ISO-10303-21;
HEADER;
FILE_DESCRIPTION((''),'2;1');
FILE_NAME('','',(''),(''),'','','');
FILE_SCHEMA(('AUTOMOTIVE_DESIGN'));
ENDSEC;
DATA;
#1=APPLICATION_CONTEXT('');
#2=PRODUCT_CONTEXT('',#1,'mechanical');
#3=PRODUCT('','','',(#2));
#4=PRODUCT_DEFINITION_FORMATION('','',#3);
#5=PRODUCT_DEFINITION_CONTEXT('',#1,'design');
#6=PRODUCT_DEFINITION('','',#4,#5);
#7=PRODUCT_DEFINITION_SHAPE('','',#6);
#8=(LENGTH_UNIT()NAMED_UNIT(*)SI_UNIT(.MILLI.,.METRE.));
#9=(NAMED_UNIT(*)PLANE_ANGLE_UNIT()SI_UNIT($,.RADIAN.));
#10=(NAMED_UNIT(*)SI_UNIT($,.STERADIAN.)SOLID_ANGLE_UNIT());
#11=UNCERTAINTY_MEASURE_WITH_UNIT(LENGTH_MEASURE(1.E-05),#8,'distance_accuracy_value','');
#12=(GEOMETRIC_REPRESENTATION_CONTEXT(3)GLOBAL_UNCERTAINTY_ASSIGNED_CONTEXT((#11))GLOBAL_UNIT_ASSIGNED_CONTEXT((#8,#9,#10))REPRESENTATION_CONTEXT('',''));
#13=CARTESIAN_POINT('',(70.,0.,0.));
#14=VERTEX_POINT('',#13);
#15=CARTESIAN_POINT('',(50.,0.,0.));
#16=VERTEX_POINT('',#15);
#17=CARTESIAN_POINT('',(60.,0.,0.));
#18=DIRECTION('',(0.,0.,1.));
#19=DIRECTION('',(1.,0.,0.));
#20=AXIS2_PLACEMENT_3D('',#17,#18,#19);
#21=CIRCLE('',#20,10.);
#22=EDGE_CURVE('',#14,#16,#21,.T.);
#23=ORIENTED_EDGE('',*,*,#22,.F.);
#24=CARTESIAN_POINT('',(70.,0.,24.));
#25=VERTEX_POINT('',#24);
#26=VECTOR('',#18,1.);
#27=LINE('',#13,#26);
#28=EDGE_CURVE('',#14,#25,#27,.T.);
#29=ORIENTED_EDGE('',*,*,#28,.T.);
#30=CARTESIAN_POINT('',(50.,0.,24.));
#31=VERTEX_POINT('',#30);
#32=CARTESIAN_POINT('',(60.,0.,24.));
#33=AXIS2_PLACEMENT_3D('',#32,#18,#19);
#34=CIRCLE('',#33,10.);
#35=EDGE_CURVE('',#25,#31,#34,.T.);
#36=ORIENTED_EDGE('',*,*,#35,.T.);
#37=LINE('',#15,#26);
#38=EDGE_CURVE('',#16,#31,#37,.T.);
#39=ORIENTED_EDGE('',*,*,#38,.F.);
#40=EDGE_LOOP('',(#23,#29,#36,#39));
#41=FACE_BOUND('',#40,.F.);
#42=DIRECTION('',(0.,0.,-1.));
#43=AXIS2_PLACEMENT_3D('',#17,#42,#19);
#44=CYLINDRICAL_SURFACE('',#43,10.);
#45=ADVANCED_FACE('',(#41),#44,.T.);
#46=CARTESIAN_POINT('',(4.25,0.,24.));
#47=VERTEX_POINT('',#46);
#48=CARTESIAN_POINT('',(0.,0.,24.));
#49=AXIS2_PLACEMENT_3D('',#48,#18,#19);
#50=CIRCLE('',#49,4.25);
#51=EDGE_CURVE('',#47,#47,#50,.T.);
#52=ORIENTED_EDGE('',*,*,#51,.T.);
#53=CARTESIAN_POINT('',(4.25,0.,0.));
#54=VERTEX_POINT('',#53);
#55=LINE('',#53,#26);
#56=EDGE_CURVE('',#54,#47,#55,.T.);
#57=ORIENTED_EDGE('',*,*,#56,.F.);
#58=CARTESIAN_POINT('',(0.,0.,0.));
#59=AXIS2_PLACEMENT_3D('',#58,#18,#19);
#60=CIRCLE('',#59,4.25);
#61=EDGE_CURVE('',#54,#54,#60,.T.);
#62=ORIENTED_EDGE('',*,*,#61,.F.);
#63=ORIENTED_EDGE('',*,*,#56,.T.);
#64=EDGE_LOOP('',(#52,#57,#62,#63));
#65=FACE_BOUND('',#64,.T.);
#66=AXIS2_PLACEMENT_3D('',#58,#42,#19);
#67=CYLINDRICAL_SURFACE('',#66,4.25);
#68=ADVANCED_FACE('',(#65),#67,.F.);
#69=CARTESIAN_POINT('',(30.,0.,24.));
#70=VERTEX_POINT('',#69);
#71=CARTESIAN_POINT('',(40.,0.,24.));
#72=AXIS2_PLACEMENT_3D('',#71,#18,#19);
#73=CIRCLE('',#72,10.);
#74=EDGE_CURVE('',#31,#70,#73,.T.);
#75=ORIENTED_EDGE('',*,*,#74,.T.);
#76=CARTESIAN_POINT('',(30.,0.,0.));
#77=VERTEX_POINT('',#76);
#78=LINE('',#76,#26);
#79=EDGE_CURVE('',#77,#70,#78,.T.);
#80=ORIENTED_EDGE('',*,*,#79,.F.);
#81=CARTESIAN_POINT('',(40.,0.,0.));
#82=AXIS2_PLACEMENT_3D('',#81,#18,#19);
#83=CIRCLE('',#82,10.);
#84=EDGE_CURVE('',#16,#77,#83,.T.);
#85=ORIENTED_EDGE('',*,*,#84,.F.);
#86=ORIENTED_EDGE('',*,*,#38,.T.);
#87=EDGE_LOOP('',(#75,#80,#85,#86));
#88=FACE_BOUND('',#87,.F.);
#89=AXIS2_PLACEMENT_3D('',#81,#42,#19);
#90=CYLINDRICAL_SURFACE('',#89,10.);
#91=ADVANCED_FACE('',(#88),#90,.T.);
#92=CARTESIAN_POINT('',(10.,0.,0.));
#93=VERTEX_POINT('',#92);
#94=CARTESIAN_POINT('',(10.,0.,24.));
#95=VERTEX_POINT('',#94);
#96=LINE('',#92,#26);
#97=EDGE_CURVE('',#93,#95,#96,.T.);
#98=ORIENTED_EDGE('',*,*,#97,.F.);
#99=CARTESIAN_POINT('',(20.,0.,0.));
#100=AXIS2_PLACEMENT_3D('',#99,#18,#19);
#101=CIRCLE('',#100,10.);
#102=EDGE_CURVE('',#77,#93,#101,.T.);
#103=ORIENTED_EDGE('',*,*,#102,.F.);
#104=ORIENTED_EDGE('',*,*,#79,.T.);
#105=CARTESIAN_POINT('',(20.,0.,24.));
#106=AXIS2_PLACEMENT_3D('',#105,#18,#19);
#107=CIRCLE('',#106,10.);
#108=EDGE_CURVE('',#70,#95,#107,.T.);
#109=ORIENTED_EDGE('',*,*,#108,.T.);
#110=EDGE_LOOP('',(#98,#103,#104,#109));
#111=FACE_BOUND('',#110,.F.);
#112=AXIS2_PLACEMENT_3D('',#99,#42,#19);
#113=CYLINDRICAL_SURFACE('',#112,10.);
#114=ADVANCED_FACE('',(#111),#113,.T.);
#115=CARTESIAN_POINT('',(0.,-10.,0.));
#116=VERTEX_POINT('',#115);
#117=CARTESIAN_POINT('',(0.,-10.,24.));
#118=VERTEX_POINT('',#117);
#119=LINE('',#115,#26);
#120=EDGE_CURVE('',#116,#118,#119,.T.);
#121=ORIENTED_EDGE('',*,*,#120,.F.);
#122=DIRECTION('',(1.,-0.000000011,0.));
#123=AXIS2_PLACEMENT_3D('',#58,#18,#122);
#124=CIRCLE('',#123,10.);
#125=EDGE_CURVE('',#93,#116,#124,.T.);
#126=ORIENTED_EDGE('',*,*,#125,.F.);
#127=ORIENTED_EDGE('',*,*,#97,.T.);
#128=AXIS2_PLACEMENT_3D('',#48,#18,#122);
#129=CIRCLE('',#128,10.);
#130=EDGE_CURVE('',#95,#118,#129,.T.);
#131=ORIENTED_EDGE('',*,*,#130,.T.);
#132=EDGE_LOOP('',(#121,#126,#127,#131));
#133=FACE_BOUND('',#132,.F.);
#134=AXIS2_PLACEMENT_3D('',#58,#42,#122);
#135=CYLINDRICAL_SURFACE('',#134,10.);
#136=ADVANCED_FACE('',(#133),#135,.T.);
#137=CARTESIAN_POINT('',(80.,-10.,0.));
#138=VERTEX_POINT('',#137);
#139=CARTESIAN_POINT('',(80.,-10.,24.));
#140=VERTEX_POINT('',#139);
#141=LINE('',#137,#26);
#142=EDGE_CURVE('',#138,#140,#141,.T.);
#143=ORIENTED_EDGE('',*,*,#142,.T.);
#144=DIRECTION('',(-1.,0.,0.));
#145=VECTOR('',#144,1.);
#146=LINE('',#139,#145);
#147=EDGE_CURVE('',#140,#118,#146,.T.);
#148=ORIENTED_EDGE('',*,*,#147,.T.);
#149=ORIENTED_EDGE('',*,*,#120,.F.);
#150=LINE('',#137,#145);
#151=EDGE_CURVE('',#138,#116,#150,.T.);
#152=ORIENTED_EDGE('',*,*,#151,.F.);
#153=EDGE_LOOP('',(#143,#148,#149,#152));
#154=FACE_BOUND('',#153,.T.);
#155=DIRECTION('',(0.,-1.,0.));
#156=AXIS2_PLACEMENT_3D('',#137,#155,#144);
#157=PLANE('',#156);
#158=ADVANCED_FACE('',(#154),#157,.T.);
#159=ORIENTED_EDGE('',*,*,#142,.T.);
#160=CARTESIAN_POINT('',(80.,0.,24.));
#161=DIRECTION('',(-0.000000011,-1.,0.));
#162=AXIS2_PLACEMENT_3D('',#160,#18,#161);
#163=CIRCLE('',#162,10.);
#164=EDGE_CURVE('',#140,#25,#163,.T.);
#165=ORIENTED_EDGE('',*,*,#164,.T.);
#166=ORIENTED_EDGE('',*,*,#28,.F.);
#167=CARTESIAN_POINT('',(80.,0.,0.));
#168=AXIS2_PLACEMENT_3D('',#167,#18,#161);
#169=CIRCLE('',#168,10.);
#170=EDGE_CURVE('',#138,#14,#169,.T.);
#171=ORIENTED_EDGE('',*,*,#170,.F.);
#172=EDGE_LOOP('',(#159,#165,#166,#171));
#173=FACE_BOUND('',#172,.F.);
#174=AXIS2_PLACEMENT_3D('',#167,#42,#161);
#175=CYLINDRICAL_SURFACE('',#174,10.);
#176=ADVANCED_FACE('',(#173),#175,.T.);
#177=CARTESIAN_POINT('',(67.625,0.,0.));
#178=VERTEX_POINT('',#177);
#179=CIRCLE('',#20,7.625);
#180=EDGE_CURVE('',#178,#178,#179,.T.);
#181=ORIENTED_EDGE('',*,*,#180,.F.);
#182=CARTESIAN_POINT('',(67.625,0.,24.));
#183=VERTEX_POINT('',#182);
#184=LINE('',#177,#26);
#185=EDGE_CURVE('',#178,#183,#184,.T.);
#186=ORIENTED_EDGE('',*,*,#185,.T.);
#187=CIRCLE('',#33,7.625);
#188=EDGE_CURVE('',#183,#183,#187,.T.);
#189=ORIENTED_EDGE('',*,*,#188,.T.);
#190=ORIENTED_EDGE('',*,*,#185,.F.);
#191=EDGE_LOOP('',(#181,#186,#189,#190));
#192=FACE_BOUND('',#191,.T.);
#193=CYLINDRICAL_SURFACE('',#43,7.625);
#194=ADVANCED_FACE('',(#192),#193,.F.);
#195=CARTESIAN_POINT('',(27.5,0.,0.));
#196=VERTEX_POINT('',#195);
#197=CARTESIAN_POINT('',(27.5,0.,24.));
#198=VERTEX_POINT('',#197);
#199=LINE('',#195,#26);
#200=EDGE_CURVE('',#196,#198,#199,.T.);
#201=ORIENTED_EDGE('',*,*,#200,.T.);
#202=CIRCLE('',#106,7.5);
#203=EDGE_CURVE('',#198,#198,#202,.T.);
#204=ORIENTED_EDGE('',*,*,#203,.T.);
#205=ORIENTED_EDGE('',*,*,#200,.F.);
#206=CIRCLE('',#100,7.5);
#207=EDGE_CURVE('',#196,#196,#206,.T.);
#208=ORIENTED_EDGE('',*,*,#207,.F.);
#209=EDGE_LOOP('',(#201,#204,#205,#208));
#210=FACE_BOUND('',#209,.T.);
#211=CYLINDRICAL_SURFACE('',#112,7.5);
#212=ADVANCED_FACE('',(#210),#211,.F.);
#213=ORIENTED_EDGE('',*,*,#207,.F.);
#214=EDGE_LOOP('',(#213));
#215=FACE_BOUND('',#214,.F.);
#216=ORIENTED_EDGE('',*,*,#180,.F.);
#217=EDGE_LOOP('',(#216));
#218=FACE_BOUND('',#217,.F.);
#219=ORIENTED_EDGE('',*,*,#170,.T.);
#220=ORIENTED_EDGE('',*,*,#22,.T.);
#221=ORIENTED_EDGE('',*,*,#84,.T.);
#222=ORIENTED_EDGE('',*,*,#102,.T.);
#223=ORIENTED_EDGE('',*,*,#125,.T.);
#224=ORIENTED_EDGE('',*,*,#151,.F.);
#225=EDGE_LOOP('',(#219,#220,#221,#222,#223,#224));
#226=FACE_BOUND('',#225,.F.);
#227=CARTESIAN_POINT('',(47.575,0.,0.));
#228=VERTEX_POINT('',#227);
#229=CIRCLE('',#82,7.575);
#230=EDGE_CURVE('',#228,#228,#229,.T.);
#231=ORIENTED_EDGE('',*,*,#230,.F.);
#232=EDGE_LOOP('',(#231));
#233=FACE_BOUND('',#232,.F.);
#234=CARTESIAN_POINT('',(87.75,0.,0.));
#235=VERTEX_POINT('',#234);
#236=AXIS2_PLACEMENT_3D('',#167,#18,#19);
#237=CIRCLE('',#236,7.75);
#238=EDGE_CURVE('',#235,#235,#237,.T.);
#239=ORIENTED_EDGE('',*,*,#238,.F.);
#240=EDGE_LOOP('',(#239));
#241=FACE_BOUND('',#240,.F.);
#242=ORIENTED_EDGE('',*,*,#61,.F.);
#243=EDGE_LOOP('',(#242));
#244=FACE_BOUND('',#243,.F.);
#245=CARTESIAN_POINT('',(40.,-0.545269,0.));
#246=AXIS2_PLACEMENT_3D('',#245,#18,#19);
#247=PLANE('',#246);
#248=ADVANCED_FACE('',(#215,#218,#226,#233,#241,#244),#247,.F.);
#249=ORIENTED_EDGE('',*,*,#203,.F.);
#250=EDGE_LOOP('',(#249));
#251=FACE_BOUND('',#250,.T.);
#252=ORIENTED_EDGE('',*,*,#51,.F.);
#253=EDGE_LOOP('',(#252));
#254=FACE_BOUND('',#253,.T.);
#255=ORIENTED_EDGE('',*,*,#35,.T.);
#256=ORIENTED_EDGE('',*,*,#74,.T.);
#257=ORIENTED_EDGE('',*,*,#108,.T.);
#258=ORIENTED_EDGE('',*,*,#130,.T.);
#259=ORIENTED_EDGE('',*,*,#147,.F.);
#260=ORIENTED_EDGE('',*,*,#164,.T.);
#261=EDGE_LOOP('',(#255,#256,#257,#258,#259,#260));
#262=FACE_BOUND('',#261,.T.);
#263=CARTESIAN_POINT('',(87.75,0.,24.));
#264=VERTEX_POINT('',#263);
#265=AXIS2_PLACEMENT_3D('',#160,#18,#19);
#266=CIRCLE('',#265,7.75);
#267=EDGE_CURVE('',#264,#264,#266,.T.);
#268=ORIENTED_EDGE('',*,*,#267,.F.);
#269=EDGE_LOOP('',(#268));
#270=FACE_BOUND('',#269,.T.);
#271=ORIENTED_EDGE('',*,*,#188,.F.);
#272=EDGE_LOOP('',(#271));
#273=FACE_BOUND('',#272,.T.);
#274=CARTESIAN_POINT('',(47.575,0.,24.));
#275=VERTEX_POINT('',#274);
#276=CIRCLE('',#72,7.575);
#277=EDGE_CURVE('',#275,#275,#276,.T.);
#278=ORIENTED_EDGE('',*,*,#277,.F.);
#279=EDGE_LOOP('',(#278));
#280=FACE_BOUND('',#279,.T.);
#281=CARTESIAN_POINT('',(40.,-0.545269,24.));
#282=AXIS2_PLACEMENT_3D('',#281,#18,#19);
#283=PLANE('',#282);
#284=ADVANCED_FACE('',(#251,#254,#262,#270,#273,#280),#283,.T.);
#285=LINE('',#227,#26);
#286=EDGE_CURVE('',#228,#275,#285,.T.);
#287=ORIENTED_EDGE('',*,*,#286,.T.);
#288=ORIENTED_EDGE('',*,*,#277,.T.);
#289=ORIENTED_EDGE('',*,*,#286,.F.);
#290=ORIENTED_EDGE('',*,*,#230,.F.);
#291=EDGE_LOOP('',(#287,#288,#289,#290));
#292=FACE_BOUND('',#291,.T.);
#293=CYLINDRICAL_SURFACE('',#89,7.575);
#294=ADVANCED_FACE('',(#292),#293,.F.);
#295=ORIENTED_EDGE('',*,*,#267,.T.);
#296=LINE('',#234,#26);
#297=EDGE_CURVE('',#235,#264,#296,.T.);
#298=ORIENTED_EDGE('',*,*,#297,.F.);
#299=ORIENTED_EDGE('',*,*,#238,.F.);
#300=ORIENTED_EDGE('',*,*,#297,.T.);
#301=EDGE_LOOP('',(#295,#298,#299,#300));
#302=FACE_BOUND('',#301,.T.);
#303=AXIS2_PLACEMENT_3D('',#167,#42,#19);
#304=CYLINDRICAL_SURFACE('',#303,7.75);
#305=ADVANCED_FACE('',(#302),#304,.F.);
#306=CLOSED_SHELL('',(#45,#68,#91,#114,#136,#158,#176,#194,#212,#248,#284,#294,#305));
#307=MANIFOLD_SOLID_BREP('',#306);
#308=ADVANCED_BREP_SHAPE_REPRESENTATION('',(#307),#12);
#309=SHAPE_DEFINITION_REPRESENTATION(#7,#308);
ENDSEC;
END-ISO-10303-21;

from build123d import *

# Parameters (mm, degrees)
SKETCH_R   = 4.25
SKETCH_R_2 = 7.5
SKETCH_R_3 = 7.575
SKETCH_R_4 = 7.625
SKETCH_R_5 = 7.75
PAD_DEPTH  = 24


with BuildPart() as part:
    # Sketch → Pad (new body)
    with BuildSketch(Plane.XY):
        with BuildLine():
            ThreePointArc((10, 0), (-7.071068, 7.071068), (0, -10))
            Line((80, -10), (0, -10))
            ThreePointArc((80, -10), (87.071068, 7.071068), (70, 0))
            ThreePointArc((70, 0), (60, 10), (50, 0))
            ThreePointArc((50, 0), (40, 10), (30, 0))
            ThreePointArc((30, 0), (20, 10), (10, 0))
        make_face()
        Circle(SKETCH_R, mode=Mode.SUBTRACT)
        with Locations((20, 0)):
            Circle(SKETCH_R_2, mode=Mode.SUBTRACT)
        with Locations((40, 0)):
            Circle(SKETCH_R_3, mode=Mode.SUBTRACT)
        with Locations((60, 0)):
            Circle(SKETCH_R_4, mode=Mode.SUBTRACT)
        with Locations((80, 0)):
            Circle(SKETCH_R_5, mode=Mode.SUBTRACT)
    extrude(amount=PAD_DEPTH)


solid = part.part
